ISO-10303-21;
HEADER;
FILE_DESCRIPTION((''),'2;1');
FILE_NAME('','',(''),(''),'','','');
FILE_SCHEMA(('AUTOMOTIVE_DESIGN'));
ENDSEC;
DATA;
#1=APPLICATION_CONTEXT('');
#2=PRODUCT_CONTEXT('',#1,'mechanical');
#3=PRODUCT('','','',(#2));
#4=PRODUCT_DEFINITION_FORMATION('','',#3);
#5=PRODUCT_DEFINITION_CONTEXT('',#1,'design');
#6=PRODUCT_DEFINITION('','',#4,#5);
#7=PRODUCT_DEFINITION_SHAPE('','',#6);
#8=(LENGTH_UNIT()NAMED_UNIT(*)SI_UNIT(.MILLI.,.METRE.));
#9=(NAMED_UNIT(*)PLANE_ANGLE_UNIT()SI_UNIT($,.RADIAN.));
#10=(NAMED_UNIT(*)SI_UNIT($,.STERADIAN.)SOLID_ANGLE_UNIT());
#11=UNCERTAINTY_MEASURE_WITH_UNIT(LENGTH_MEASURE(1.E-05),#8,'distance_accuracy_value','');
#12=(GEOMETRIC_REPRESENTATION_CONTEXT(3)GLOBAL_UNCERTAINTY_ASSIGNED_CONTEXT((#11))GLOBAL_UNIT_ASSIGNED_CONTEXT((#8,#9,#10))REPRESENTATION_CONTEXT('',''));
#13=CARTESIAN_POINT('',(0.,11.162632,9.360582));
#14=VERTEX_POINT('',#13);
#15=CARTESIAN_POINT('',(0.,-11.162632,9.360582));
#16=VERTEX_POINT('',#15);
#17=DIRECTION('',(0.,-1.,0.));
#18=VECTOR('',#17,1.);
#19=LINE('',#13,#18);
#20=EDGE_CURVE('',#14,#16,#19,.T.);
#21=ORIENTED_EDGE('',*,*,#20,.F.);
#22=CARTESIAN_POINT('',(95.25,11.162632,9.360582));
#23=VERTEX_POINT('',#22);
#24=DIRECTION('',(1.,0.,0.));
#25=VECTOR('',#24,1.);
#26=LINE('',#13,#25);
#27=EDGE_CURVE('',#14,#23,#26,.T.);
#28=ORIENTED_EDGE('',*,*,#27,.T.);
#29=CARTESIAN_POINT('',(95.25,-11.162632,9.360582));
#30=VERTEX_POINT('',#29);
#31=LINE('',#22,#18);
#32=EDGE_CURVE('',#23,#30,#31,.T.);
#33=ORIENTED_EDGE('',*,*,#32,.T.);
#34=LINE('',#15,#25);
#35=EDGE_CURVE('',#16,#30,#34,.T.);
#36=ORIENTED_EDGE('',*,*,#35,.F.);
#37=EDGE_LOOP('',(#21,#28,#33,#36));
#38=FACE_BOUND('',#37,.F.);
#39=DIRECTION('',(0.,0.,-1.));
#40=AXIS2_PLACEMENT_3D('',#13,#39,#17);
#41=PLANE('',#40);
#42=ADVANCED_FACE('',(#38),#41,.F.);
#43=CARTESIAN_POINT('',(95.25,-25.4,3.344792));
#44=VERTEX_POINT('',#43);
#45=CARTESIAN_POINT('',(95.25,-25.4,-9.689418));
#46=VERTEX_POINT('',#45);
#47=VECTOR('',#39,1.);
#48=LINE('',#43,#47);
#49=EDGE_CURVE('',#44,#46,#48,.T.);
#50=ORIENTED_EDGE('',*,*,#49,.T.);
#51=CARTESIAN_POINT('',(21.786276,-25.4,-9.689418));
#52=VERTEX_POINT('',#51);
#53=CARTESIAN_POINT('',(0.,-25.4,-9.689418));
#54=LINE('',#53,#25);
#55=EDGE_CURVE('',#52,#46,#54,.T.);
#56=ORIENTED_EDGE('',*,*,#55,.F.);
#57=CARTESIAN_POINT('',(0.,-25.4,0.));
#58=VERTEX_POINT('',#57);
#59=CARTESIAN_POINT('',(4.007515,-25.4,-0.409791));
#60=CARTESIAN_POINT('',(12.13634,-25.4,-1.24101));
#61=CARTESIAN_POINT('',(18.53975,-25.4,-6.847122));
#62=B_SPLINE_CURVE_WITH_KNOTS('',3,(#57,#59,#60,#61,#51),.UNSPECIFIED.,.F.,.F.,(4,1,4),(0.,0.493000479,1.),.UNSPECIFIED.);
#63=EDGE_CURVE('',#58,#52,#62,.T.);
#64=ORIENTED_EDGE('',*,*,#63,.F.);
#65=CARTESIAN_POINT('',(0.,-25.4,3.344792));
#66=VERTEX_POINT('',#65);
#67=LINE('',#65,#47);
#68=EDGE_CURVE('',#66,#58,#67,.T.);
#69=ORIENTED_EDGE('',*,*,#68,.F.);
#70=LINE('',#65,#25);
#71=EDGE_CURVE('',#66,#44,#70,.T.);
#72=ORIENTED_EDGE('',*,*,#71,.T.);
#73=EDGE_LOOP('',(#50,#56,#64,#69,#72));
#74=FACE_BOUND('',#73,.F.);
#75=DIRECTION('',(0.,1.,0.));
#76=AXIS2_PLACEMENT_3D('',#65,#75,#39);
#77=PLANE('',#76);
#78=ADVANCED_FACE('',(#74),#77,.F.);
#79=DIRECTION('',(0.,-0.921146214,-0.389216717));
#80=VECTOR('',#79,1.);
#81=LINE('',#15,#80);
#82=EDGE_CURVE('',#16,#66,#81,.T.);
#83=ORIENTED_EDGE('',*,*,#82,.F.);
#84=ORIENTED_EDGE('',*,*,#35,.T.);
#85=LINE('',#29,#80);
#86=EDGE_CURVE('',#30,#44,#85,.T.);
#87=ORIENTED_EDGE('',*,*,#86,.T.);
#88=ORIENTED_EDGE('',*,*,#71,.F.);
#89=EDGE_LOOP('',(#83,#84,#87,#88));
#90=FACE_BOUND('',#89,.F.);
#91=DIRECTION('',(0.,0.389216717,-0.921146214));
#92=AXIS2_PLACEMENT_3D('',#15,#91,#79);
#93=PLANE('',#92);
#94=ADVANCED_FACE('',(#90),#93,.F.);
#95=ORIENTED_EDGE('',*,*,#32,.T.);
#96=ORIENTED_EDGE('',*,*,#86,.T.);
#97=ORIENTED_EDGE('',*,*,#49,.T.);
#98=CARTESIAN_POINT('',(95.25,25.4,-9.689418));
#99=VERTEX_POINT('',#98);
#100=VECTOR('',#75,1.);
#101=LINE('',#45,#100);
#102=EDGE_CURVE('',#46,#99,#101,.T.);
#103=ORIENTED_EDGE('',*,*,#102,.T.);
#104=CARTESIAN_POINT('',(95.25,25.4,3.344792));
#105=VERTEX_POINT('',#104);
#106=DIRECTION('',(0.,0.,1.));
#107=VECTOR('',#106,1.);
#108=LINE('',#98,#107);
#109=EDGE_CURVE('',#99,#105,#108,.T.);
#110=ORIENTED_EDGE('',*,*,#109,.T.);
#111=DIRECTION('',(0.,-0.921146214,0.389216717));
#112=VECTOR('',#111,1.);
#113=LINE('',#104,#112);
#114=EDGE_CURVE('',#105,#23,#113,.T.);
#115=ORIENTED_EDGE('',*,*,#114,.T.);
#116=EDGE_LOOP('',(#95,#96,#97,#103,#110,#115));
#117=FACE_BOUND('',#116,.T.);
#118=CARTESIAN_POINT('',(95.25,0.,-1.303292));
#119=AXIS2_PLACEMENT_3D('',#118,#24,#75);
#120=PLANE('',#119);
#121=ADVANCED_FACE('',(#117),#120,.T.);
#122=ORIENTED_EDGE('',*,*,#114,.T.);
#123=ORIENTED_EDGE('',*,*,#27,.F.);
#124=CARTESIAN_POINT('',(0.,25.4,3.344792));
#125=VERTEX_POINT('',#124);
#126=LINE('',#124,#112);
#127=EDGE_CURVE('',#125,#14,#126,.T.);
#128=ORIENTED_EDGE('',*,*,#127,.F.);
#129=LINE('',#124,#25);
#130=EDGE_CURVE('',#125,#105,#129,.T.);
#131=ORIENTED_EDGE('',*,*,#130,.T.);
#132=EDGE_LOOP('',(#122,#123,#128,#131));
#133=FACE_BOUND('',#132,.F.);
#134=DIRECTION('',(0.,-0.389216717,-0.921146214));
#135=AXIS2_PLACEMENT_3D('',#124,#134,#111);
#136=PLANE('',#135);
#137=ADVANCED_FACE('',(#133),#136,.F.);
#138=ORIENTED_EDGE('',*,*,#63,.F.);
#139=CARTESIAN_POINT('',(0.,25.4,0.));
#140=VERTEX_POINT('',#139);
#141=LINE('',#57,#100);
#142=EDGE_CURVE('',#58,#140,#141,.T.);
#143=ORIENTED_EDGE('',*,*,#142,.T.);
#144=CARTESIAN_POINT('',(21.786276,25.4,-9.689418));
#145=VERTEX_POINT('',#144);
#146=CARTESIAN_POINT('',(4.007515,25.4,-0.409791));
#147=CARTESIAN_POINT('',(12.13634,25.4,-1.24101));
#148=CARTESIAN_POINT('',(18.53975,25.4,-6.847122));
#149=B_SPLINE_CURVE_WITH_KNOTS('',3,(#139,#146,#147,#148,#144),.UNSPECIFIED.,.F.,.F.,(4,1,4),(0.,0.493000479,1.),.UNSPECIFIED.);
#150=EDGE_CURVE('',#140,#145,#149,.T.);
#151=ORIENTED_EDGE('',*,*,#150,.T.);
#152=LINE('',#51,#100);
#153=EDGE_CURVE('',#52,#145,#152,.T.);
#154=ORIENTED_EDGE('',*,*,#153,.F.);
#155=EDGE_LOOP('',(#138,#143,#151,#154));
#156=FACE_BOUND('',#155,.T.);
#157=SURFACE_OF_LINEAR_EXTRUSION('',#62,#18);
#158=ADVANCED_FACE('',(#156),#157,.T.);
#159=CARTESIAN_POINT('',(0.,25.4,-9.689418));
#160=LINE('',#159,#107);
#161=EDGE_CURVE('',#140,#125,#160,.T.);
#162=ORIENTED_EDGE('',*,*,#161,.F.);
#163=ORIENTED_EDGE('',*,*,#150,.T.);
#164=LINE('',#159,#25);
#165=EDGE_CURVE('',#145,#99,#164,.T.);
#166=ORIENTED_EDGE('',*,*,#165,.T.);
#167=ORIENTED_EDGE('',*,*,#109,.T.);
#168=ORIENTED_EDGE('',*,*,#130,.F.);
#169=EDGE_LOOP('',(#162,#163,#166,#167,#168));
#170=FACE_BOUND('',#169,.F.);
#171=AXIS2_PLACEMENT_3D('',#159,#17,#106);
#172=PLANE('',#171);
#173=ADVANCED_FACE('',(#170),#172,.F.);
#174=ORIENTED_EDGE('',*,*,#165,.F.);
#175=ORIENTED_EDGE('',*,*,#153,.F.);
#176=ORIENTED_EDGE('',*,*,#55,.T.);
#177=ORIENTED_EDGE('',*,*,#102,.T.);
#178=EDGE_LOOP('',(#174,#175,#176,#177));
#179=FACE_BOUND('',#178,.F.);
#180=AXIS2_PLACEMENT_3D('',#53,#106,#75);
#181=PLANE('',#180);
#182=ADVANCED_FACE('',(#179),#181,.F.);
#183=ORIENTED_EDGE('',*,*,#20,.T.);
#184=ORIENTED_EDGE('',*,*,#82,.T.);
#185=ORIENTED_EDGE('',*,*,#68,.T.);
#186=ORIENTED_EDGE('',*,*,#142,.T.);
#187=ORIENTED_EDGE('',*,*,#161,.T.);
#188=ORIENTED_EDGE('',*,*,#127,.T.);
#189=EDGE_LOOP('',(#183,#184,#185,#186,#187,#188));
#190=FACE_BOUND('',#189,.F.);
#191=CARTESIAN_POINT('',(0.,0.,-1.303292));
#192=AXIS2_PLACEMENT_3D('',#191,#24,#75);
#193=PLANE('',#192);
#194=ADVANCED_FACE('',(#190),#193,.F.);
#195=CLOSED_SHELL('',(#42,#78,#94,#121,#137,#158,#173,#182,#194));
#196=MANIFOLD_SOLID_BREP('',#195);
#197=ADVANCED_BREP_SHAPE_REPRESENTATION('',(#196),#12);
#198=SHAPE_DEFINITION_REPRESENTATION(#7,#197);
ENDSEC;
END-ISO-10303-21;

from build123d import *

# Parameters (mm, degrees)
F1_DEPTH = 95.25
F3_DEPTH = 50.8


with BuildPart() as f1:
    # F0 (on Right) → F1 (new body)
    with BuildSketch(Plane.YZ):
        Polygon((11.1626323232, 9.360581603), (3.29e-07, 9.360581603), (-11.1626316652, 9.360581603), (-25.399999671, 3.3447921903), (-25.399999671, -9.689418397), (3.29e-07, -9.689418397), (25.400000329, -9.689418397), (25.400000329, 3.3447921903), align=None)
    extrude(amount=F1_DEPTH)

    # F2 (on face) → F3 (cut)
    with BuildSketch(Plane.XZ.offset(25.399999671)):
        with BuildLine():
            add(Edge.make_bspline(
                [(0, 0), (4.0075147817, -0.4097913285), (12.1363401145, -1.2410102545), (18.5397503355, -6.8471222831), (21.7862762511, -9.689418397)],
                knots=[0, 0, 0, 0, 0.4930004789, 1, 1, 1, 1], degree=3))
            Line((0, 0), (0, -9.689418397))
            Line((0, -9.689418397), (21.7862762511, -9.689418397))
        make_face()
    extrude(amount=-F3_DEPTH, mode=Mode.SUBTRACT)


solid = f1.part
